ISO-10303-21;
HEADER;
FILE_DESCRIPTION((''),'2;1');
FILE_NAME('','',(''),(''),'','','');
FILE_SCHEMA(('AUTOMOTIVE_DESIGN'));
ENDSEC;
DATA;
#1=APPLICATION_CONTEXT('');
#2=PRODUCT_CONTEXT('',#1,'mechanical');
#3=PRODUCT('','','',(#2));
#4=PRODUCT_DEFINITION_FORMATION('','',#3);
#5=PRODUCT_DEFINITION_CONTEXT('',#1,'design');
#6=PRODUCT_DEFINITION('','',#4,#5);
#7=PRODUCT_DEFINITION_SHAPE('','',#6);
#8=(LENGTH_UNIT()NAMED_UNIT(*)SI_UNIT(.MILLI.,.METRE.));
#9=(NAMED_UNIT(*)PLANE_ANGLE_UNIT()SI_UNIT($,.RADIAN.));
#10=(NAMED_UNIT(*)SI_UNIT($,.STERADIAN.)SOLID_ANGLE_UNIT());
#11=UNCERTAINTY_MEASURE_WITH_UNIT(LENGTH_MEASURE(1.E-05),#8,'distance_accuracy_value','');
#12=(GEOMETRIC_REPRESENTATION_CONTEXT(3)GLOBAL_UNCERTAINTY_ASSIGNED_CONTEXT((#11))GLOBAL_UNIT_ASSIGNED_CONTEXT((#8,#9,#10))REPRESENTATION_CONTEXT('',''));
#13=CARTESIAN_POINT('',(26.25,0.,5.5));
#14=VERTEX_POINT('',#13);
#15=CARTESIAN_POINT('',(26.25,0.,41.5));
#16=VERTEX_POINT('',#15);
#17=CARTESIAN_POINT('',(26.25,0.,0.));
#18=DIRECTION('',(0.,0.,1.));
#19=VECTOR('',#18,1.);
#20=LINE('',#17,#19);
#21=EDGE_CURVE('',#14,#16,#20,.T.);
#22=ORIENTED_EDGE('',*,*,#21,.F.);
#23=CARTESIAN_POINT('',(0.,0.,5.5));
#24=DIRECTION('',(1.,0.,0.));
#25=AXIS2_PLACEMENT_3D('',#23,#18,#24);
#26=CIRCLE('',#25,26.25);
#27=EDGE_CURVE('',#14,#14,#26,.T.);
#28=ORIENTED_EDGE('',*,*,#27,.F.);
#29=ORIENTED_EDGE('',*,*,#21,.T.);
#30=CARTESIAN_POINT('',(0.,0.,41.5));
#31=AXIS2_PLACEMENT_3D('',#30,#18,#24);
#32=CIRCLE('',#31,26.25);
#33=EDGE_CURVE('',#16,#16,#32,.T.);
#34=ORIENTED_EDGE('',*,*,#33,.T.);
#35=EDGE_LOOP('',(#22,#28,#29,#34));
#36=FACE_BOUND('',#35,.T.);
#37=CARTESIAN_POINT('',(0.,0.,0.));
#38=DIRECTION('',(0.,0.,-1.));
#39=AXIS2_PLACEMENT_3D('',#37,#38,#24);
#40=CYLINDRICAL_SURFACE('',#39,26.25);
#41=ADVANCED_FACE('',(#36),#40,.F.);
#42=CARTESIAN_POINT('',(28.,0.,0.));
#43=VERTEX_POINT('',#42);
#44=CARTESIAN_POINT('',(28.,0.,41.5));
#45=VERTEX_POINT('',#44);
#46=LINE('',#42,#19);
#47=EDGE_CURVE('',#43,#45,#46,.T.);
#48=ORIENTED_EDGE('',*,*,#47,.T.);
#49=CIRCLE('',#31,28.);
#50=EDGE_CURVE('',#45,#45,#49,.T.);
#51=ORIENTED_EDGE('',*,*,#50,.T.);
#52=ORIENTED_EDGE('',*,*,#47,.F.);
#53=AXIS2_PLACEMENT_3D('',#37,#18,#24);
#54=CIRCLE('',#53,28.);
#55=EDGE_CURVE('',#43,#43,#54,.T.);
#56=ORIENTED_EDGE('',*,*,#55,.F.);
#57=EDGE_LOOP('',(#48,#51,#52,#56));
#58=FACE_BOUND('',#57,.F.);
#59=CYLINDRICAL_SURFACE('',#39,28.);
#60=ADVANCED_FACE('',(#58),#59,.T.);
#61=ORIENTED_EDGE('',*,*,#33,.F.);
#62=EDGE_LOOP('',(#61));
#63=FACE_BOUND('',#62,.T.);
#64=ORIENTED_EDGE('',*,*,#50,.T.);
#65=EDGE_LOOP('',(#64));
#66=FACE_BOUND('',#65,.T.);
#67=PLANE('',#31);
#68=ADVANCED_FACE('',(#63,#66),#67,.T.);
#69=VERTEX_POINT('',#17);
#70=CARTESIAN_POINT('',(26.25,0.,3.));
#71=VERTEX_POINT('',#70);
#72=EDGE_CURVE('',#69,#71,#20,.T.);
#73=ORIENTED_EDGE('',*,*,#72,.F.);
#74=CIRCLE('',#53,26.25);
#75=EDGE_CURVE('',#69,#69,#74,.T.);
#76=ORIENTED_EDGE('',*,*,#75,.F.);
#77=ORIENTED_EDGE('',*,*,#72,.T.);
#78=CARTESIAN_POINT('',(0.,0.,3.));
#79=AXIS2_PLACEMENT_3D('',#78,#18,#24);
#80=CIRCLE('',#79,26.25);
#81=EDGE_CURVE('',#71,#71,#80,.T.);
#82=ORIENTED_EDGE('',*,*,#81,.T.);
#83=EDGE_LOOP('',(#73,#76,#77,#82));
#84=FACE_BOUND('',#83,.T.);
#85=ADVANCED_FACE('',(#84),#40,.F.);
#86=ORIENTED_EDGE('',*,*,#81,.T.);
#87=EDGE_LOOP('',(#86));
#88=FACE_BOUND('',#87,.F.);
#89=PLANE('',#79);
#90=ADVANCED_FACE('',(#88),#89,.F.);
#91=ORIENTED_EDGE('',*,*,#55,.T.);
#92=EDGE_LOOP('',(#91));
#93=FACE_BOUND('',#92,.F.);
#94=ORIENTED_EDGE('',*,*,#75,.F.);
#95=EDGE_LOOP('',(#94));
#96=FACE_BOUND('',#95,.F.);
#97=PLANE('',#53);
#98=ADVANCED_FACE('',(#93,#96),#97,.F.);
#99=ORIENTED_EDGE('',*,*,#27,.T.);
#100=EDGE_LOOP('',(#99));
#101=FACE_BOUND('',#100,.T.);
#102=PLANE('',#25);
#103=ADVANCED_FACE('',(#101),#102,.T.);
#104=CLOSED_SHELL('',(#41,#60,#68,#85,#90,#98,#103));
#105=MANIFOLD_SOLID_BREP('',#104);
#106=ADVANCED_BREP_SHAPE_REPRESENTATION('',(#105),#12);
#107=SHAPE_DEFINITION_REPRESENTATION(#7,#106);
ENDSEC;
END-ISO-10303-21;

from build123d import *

# Parameters (mm, degrees)
F0_R     = 28
F0_R_2   = 26.25
F1_DEPTH = 41.5
F3_R     = 26.25
F4_DEPTH = 2.5


with BuildPart() as f1:
    # F0 (on Top) → F1 (new body)
    with BuildSketch(Plane.XY):
        Circle(F0_R)
        Circle(F0_R_2, mode=Mode.SUBTRACT)
    extrude(amount=F1_DEPTH)

    # F3 (on offset) → F4 (join)
    with BuildSketch(Plane.XY.offset(3)):
        Circle(F3_R)
    extrude(amount=F4_DEPTH)


solid = f1.part
